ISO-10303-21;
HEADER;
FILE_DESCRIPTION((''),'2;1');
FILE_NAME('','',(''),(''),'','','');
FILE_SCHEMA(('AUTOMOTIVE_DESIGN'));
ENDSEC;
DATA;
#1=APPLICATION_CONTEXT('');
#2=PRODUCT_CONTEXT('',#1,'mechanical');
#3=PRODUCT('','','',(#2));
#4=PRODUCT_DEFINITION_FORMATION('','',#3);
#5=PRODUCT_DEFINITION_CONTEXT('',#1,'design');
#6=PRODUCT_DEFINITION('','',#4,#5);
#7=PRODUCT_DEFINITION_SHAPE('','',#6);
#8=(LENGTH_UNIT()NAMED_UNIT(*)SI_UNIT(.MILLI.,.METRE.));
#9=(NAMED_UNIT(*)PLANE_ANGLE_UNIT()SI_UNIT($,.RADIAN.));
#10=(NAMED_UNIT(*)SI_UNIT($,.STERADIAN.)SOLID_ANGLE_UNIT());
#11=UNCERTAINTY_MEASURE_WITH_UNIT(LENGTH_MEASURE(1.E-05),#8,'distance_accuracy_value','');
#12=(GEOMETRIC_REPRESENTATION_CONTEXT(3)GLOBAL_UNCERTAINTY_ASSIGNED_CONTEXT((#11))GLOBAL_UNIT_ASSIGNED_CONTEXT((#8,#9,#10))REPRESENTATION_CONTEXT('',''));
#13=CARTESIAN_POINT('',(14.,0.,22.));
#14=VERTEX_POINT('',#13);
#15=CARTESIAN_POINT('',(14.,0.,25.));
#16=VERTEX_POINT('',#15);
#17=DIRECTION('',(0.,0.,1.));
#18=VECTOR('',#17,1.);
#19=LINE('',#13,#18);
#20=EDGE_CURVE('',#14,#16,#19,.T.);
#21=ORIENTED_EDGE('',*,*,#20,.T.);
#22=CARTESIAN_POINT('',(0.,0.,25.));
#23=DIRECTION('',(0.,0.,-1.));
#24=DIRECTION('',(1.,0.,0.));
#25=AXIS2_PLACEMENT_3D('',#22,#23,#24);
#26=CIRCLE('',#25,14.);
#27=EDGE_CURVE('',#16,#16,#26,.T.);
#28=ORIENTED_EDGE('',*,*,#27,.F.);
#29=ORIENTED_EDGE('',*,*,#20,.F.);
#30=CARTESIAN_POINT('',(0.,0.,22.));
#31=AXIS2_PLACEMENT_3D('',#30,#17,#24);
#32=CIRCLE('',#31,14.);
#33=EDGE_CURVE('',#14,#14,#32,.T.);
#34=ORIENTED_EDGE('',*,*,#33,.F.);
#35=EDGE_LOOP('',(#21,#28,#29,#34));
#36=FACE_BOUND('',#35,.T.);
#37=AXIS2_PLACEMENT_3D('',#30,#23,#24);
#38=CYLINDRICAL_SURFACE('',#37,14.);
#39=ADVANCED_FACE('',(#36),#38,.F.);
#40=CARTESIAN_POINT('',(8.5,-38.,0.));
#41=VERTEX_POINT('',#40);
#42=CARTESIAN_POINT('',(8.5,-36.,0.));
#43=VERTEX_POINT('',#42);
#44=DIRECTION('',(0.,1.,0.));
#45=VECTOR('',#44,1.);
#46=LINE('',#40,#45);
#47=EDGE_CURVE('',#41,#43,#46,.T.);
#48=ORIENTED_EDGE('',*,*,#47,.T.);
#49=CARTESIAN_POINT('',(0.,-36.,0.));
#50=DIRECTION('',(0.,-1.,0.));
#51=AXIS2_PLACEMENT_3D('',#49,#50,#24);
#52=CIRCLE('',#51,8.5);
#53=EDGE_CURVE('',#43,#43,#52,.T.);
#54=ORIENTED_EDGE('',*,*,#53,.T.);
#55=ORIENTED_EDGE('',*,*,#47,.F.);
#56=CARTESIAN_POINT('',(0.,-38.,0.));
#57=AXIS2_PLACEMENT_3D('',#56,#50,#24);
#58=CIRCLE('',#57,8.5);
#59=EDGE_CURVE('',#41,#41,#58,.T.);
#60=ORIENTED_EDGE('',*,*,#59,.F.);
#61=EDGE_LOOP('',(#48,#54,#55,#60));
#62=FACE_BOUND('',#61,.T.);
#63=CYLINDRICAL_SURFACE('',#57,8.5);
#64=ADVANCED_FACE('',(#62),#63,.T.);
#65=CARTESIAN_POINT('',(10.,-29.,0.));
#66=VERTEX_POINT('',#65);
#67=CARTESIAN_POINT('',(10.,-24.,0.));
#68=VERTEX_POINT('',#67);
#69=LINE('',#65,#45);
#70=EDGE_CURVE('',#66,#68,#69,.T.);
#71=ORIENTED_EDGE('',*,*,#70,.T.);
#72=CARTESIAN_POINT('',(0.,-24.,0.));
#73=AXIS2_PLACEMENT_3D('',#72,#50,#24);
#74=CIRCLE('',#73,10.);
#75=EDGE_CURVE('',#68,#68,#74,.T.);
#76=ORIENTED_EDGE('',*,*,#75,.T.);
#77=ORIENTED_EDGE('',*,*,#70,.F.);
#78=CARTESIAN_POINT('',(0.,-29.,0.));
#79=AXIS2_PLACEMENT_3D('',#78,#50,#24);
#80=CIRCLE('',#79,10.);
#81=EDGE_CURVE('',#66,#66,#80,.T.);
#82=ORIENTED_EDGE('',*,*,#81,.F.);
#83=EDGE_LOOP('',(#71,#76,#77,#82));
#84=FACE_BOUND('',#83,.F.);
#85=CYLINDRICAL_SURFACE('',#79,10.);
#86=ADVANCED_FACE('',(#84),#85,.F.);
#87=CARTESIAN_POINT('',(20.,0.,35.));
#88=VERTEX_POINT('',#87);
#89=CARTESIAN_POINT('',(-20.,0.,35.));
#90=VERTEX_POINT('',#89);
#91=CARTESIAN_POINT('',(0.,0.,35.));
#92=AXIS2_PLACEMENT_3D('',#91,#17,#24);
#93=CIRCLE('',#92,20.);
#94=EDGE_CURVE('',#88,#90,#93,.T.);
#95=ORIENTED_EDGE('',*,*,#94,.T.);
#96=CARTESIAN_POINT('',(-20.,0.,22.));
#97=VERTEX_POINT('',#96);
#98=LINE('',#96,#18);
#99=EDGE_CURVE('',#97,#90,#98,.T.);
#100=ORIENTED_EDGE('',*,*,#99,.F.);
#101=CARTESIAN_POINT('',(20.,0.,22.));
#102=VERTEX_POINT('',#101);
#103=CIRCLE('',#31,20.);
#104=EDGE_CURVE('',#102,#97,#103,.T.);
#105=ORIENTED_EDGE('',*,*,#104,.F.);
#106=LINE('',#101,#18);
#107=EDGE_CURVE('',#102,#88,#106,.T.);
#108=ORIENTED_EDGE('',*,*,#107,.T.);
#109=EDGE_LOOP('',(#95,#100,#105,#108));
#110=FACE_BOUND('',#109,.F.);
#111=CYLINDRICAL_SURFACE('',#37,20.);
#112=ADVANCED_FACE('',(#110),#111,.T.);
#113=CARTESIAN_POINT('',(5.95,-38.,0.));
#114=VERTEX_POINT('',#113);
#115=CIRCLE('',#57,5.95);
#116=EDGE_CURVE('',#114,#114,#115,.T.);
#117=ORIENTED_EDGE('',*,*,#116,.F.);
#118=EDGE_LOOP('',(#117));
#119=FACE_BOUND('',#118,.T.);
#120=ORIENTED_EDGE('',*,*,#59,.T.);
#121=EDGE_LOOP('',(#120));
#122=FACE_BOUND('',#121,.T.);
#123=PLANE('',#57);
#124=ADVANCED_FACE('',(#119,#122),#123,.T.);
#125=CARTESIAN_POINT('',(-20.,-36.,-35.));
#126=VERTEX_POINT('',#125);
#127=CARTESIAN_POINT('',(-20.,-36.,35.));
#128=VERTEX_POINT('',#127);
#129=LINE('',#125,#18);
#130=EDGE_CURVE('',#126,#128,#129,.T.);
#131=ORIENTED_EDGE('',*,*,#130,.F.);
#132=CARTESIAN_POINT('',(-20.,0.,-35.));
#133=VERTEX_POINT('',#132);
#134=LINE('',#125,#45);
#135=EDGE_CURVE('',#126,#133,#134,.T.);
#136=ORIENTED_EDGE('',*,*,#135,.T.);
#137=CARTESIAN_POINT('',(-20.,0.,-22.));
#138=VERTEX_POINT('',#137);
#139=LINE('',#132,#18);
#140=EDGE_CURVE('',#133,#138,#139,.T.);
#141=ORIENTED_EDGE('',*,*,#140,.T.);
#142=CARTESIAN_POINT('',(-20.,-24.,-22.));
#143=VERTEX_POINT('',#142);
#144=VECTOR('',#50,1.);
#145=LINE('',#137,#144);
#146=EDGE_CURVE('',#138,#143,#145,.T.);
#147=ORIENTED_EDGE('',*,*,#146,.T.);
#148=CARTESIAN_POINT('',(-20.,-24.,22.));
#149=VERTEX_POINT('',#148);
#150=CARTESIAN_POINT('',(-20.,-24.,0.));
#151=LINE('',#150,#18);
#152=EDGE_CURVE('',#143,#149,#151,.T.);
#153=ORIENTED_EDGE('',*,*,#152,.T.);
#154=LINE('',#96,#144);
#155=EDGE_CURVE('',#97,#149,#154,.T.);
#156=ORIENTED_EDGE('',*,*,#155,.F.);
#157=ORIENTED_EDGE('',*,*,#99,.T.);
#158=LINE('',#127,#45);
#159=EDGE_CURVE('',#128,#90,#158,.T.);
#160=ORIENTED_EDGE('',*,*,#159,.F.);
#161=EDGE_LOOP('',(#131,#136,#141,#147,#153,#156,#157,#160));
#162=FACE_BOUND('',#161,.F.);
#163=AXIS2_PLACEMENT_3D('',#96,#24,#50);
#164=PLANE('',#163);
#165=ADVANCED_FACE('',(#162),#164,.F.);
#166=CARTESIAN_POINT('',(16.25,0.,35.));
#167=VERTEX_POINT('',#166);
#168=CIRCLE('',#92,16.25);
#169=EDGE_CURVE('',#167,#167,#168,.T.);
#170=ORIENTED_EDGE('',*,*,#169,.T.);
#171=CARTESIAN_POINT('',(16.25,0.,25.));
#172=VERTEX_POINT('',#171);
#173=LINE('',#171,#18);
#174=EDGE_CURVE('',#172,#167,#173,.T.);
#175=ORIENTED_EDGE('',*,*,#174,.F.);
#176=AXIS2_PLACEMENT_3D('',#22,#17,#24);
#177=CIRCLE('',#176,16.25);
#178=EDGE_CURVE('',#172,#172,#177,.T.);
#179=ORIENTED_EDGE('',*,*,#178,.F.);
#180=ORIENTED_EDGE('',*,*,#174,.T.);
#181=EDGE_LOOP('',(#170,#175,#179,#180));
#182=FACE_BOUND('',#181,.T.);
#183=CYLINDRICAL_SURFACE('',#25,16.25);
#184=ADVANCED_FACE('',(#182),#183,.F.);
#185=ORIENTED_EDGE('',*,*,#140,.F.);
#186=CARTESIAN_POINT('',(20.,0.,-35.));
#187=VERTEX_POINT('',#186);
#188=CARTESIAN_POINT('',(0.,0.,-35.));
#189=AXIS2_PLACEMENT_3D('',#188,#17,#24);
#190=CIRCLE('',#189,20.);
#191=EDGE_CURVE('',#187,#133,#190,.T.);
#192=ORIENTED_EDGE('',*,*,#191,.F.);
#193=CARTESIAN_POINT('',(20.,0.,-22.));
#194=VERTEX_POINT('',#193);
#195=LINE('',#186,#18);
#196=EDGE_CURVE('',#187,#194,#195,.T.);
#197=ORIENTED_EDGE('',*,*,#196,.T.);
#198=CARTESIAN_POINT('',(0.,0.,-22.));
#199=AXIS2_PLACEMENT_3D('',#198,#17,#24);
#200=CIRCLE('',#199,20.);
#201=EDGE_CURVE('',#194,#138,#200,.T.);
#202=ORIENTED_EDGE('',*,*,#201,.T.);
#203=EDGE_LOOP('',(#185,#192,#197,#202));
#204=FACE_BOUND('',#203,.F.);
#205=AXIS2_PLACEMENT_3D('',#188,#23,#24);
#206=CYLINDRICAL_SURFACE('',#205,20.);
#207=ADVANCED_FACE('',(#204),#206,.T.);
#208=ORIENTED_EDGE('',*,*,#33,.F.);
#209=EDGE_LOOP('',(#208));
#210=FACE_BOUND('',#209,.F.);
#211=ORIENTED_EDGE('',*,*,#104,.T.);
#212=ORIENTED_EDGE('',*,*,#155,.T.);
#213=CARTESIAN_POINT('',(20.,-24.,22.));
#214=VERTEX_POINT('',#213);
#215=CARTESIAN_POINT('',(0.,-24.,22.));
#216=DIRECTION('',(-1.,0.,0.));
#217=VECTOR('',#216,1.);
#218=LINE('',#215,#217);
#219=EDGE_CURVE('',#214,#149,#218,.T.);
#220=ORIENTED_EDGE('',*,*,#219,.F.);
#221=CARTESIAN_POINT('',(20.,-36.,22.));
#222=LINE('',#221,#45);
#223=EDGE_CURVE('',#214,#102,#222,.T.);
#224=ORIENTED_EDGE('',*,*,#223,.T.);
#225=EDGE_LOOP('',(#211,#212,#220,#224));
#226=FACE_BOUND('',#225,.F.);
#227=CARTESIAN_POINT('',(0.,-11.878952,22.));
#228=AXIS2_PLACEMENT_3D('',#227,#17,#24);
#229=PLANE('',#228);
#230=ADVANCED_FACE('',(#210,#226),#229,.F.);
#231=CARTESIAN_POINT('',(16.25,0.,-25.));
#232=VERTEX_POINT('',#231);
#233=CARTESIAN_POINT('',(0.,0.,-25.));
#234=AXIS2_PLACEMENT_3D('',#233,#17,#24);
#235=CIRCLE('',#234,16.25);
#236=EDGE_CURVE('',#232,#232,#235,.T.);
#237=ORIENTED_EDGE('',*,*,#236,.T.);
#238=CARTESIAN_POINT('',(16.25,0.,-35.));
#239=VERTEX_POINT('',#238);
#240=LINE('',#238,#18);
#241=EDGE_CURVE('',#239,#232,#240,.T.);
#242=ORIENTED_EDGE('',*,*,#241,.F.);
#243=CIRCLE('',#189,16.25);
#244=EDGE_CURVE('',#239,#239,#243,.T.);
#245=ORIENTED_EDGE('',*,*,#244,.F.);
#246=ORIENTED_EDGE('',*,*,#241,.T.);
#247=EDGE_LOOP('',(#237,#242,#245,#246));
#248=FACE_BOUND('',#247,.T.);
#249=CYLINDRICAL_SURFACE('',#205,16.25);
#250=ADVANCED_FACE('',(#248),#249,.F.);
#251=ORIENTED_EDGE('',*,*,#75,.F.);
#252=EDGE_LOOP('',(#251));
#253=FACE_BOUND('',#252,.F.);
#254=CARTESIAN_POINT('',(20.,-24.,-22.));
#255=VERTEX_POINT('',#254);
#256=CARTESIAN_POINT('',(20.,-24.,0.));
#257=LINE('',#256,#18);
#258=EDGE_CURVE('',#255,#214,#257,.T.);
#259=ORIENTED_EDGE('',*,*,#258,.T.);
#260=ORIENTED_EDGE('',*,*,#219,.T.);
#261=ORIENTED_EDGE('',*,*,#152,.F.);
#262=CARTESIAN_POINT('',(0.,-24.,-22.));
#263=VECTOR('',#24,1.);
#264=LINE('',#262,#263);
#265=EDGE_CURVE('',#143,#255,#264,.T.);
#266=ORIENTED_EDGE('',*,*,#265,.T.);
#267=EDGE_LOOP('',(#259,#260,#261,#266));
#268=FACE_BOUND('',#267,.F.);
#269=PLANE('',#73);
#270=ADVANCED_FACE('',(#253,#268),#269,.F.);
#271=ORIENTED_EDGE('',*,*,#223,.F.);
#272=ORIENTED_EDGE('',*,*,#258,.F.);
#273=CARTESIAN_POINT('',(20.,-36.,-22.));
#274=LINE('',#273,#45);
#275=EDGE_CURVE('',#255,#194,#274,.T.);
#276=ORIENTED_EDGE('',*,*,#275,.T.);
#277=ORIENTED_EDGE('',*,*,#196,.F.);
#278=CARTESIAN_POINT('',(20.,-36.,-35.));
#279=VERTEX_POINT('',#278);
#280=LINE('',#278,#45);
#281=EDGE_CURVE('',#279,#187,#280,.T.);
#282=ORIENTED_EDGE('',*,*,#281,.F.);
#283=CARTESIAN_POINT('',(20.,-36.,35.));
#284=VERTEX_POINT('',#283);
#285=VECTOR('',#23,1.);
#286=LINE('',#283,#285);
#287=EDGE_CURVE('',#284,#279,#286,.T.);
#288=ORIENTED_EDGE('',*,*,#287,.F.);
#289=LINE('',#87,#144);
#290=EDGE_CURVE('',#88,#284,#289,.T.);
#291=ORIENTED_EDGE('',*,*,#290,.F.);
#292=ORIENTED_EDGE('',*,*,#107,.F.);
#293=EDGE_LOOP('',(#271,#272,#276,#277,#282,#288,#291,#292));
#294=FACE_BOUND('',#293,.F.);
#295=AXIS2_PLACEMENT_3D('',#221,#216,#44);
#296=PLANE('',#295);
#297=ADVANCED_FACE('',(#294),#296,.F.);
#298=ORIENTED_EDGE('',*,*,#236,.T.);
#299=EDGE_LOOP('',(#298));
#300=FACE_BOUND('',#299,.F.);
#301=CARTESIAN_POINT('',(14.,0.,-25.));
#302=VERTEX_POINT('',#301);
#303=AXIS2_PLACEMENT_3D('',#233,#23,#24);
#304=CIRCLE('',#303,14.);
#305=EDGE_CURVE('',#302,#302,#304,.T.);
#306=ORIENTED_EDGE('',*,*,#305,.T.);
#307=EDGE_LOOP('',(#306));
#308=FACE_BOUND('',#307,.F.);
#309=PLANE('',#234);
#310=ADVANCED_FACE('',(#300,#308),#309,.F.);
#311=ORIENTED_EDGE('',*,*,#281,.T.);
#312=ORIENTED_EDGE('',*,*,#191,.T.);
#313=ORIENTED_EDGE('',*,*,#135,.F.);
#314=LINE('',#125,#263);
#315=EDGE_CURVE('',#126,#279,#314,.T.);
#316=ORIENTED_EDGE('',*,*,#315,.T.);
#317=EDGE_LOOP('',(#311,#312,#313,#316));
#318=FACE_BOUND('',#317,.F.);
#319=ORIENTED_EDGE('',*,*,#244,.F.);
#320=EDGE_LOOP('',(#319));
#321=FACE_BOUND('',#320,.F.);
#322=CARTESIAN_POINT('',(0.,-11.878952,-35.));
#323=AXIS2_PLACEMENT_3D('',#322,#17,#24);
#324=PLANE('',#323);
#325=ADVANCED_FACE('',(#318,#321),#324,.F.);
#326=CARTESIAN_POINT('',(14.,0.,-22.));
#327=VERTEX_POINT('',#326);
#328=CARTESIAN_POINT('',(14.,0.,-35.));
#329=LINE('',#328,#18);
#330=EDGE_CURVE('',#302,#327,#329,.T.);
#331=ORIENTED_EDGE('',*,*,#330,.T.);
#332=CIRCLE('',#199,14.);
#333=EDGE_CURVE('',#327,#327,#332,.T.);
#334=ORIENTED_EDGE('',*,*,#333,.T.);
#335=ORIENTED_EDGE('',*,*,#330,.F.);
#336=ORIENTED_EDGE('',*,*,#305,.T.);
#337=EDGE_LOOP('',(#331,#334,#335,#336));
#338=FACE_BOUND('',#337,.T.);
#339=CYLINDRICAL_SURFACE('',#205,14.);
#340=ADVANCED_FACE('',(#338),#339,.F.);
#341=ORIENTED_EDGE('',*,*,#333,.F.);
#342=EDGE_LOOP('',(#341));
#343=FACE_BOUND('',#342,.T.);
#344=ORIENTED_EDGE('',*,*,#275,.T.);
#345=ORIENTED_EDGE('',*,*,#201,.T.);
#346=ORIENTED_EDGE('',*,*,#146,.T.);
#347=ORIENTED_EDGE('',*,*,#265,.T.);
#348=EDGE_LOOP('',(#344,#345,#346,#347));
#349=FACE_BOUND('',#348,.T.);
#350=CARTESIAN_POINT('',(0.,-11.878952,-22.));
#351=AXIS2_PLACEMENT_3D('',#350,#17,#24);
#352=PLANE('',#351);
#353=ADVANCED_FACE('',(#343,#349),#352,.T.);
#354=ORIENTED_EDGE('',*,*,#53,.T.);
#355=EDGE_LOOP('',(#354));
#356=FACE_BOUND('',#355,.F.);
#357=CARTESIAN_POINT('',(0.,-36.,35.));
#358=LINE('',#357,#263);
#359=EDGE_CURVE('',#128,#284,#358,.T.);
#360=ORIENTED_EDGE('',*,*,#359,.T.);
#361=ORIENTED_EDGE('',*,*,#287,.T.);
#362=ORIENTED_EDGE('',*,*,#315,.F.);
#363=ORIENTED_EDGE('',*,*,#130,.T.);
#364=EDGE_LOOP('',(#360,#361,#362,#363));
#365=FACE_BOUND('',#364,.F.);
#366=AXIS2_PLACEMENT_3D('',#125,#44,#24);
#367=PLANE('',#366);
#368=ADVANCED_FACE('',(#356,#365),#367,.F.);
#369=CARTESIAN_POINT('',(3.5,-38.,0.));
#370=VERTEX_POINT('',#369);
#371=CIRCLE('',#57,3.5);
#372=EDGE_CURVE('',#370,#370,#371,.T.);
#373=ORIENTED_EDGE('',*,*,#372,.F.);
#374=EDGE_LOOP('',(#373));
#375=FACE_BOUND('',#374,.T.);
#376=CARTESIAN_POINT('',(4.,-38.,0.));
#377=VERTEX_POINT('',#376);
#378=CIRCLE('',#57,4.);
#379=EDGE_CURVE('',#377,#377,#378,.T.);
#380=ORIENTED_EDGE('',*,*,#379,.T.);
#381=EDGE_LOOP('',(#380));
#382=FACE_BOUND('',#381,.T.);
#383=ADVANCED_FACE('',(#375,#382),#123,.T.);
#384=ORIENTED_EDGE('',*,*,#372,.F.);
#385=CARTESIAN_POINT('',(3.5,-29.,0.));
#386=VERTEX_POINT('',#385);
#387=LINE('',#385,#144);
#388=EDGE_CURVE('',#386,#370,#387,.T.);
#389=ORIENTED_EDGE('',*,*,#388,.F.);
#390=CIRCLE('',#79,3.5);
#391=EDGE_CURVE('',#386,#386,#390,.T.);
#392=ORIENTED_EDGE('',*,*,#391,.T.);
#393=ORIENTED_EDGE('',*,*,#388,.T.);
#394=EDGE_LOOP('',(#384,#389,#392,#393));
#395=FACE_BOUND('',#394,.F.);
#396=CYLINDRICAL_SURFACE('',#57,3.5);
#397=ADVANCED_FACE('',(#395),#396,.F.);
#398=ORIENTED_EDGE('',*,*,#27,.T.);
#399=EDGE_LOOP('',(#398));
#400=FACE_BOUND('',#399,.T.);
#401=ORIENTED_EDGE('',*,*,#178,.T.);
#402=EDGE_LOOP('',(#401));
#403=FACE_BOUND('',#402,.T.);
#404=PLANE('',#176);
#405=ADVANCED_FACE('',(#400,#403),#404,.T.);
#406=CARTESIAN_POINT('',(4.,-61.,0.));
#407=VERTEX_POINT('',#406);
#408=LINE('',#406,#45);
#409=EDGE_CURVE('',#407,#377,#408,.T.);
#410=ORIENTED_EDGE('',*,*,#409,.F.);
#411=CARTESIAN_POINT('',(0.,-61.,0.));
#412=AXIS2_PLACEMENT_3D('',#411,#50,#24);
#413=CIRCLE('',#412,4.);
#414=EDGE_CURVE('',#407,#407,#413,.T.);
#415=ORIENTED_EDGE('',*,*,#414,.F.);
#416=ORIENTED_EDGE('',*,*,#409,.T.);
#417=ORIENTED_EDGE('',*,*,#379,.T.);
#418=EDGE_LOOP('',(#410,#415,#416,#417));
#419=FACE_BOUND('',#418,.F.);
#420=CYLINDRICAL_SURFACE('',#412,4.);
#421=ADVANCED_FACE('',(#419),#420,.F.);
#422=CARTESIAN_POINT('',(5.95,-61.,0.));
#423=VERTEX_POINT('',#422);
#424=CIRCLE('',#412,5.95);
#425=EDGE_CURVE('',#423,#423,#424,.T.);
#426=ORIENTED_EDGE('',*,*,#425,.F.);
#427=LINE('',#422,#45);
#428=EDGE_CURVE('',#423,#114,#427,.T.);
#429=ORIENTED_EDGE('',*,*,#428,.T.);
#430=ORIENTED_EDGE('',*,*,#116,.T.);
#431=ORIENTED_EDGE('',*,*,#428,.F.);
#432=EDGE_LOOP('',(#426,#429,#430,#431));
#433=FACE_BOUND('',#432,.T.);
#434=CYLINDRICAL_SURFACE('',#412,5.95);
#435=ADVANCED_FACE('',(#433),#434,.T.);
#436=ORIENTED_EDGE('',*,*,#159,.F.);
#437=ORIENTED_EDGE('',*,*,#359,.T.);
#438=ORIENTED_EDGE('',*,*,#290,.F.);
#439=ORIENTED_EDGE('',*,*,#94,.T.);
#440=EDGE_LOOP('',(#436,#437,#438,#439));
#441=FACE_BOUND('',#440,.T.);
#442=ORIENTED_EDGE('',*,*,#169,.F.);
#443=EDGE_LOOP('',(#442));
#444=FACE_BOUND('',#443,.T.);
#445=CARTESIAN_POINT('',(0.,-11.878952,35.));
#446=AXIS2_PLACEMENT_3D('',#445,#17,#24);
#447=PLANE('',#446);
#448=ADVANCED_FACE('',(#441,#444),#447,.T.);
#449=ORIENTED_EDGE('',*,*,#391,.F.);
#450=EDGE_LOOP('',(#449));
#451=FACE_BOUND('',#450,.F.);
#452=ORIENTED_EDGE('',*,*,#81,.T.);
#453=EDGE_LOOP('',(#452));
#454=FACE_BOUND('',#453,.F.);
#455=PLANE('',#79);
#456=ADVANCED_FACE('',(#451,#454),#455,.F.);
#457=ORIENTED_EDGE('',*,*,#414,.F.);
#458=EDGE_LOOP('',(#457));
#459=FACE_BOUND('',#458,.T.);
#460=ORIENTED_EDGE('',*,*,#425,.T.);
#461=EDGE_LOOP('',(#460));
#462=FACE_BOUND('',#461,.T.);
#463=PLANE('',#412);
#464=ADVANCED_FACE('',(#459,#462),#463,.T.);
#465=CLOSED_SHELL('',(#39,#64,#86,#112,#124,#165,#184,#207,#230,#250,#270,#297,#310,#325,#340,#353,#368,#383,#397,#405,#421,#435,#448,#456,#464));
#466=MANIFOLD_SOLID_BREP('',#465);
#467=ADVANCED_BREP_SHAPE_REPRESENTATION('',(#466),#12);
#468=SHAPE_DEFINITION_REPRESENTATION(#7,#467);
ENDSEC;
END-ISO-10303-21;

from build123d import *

# Parameters (mm, degrees)
SKETCH005_AS_DRAWN_R                 = 10
EXTRUDE005_DEPTH                     = 5
EXTRUDE005_ONTO_SKETCH005_ROLL_ANGLE = 90
SKETCH001_AS_DRAWN_W                 = 40
SKETCH001_AS_DRAWN_H                 = 70
SKETCH001_AS_DRAWN_R                 = 3.5
EXTRUDE002_DEPTH                     = 12
EXTRUDE002_ONTO_SKETCH001_ROLL_ANGLE = 90
SKETCH004_AS_DRAWN_R                 = 8.5
SKETCH004_AS_DRAWN_R_2               = 3.5
EXTRUDE004_DEPTH                     = 2
EXTRUDE004_ONTO_SKETCH004_ROLL_ANGLE = 90
SKETCH003_AS_DRAWN_R                 = 5.95
SKETCH003_AS_DRAWN_R_2               = 4
EXTRUDE003_DEPTH                     = 25
EXTRUDE003_ONTO_SKETCH003_ROLL_ANGLE = 90
CYLINDER001_R                        = 16.25
CYLINDER001_DEPTH                    = 10
SKETCH_R                             = 14
EXTRUDE_DEPTH                        = 13
CYLINDER_R                           = 16.25
CYLINDER_DEPTH                       = 10
EXTRUDE001_DEPTH                     = 13


with BuildPart() as contra_nut_cut:
    # Sketch005 as drawn → Extrude005 (new)
    with BuildSketch(Plane.XY):
        Circle(SKETCH005_AS_DRAWN_R)
    extrude(amount=-EXTRUDE005_DEPTH)


with BuildPart() as contra_nut_cut_1:
    # Extrude005 onto Sketch005 roll: moved
    add(contra_nut_cut.part.rotate(Axis((0, 0, 0), (1, 0, 0)), EXTRUDE005_ONTO_SKETCH005_ROLL_ANGLE))


with BuildPart() as contra_nut_cut_2:
    # Extrude005 onto Sketch005 placement: moved
    add(contra_nut_cut_1.part)


with BuildPart() as contra_nut_cut_3:
    # Extrude005 placement: moved
    add(contra_nut_cut_2.part.moved(Location((0, 7, 0))))


with BuildPart() as nut_cut:
    # Sketch001 as drawn → Extrude002 (new)
    with BuildSketch(Plane.XY):
        Rectangle(SKETCH001_AS_DRAWN_W, SKETCH001_AS_DRAWN_H)
        Circle(SKETCH001_AS_DRAWN_R, mode=Mode.SUBTRACT)
    extrude(amount=-EXTRUDE002_DEPTH)


with BuildPart() as nut_cut_1:
    # Extrude002 onto Sketch001 roll: moved
    add(nut_cut.part.rotate(Axis((0, 0, 0), (1, 0, 0)), EXTRUDE002_ONTO_SKETCH001_ROLL_ANGLE))


with BuildPart() as nut_cut_2:
    # Extrude002 onto Sketch001 placement: moved
    add(nut_cut_1.part)

    # Cut002: cut contra-nut-cut
    add(contra_nut_cut_3.part, mode=Mode.SUBTRACT)


with BuildPart() as nut_cut_3:
    # Cut002 placement: moved
    add(nut_cut_2.part.moved(Location((0, -36, 0))))


with BuildPart() as z_bearings_pad:
    # Sketch004 as drawn → Extrude004 (new)
    with BuildSketch(Plane.XY):
        Circle(SKETCH004_AS_DRAWN_R)
        Circle(SKETCH004_AS_DRAWN_R_2, mode=Mode.SUBTRACT)
    extrude(amount=-EXTRUDE004_DEPTH)


with BuildPart() as z_bearings_pad_1:
    # Extrude004 onto Sketch004 roll: moved
    add(z_bearings_pad.part.rotate(Axis((0, 0, 0), (1, 0, 0)), EXTRUDE004_ONTO_SKETCH004_ROLL_ANGLE))


with BuildPart() as z_bearings_pad_2:
    # Extrude004 onto Sketch004 placement: moved
    add(z_bearings_pad_1.part)


with BuildPart() as z_bearings_pad_3:
    # Extrude004 placement: moved
    add(z_bearings_pad_2.part.moved(Location((0, -38, 0))))


with BuildPart() as z_bearings_cylinder:
    # Sketch003 as drawn → Extrude003 (new)
    with BuildSketch(Plane.XY):
        Circle(SKETCH003_AS_DRAWN_R)
        Circle(SKETCH003_AS_DRAWN_R_2, mode=Mode.SUBTRACT)
    extrude(amount=-EXTRUDE003_DEPTH)


with BuildPart() as z_bearings_cylinder_1:
    # Extrude003 onto Sketch003 roll: moved
    add(z_bearings_cylinder.part.rotate(Axis((0, 0, 0), (1, 0, 0)), EXTRUDE003_ONTO_SKETCH003_ROLL_ANGLE))


with BuildPart() as z_bearings_cylinder_2:
    # Extrude003 onto Sketch003 placement: moved
    add(z_bearings_cylinder_1.part)


with BuildPart() as z_bearings_cylinder_3:
    # Extrude003 placement: moved
    add(z_bearings_cylinder_2.part.moved(Location((0, -61, 0))))


with BuildPart() as cylinder001:
    # Cylinder001 → Cylinder001 (new body)
    with BuildSketch(Plane.XY.offset(3)):
        Circle(CYLINDER001_R)
    extrude(amount=CYLINDER001_DEPTH)


with BuildPart() as bearing_nest_r_cut:
    # Sketch → Extrude (new body)
    with BuildSketch(Plane.XY):
        with BuildLine():
            ThreePointArc((20, 0), (0, 20), (-20, 0))
            Line((-20, 0), (-20, -36))
            Line((-20, -36), (20, -36))
            Line((20, -36), (20, 0))
        make_face()
        Circle(SKETCH_R, mode=Mode.SUBTRACT)
    extrude(amount=EXTRUDE_DEPTH)

    # Cut001: cut Cylinder001
    add(cylinder001.part, mode=Mode.SUBTRACT)


with BuildPart() as bearing_nest_r_cut_1:
    # Cut001 placement: moved
    add(bearing_nest_r_cut.part.moved(Location((0, 0, 22))))


with BuildPart() as cylinder:
    # Cylinder → Cylinder (new body)
    with BuildSketch(Plane.XY):
        Circle(CYLINDER_R)
    extrude(amount=CYLINDER_DEPTH)


with BuildPart() as fusion:
    # Sketch → Extrude001 (new body)
    with BuildSketch(Plane.XY):
        with BuildLine():
            ThreePointArc((20, 0), (0, 20), (-20, 0))
            Line((-20, 0), (-20, -36))
            Line((-20, -36), (20, -36))
            Line((20, -36), (20, 0))
        make_face()
        Circle(SKETCH_R, mode=Mode.SUBTRACT)
    extrude(amount=EXTRUDE001_DEPTH)

    # Cut: cut Cylinder
    add(cylinder.part, mode=Mode.SUBTRACT)


with BuildPart() as fusion_1:
    # Cut placement: moved
    add(fusion.part.moved(Location((0, 0, -35))))

    # Fusion: union nut-cut, z-bearings-pad, z-bearings-cylinder, bearing-nest-r-cut
    add(nut_cut_3.part)
    add(z_bearings_pad_3.part)
    add(z_bearings_cylinder_3.part)
    add(bearing_nest_r_cut_1.part)


solid = fusion_1.part
